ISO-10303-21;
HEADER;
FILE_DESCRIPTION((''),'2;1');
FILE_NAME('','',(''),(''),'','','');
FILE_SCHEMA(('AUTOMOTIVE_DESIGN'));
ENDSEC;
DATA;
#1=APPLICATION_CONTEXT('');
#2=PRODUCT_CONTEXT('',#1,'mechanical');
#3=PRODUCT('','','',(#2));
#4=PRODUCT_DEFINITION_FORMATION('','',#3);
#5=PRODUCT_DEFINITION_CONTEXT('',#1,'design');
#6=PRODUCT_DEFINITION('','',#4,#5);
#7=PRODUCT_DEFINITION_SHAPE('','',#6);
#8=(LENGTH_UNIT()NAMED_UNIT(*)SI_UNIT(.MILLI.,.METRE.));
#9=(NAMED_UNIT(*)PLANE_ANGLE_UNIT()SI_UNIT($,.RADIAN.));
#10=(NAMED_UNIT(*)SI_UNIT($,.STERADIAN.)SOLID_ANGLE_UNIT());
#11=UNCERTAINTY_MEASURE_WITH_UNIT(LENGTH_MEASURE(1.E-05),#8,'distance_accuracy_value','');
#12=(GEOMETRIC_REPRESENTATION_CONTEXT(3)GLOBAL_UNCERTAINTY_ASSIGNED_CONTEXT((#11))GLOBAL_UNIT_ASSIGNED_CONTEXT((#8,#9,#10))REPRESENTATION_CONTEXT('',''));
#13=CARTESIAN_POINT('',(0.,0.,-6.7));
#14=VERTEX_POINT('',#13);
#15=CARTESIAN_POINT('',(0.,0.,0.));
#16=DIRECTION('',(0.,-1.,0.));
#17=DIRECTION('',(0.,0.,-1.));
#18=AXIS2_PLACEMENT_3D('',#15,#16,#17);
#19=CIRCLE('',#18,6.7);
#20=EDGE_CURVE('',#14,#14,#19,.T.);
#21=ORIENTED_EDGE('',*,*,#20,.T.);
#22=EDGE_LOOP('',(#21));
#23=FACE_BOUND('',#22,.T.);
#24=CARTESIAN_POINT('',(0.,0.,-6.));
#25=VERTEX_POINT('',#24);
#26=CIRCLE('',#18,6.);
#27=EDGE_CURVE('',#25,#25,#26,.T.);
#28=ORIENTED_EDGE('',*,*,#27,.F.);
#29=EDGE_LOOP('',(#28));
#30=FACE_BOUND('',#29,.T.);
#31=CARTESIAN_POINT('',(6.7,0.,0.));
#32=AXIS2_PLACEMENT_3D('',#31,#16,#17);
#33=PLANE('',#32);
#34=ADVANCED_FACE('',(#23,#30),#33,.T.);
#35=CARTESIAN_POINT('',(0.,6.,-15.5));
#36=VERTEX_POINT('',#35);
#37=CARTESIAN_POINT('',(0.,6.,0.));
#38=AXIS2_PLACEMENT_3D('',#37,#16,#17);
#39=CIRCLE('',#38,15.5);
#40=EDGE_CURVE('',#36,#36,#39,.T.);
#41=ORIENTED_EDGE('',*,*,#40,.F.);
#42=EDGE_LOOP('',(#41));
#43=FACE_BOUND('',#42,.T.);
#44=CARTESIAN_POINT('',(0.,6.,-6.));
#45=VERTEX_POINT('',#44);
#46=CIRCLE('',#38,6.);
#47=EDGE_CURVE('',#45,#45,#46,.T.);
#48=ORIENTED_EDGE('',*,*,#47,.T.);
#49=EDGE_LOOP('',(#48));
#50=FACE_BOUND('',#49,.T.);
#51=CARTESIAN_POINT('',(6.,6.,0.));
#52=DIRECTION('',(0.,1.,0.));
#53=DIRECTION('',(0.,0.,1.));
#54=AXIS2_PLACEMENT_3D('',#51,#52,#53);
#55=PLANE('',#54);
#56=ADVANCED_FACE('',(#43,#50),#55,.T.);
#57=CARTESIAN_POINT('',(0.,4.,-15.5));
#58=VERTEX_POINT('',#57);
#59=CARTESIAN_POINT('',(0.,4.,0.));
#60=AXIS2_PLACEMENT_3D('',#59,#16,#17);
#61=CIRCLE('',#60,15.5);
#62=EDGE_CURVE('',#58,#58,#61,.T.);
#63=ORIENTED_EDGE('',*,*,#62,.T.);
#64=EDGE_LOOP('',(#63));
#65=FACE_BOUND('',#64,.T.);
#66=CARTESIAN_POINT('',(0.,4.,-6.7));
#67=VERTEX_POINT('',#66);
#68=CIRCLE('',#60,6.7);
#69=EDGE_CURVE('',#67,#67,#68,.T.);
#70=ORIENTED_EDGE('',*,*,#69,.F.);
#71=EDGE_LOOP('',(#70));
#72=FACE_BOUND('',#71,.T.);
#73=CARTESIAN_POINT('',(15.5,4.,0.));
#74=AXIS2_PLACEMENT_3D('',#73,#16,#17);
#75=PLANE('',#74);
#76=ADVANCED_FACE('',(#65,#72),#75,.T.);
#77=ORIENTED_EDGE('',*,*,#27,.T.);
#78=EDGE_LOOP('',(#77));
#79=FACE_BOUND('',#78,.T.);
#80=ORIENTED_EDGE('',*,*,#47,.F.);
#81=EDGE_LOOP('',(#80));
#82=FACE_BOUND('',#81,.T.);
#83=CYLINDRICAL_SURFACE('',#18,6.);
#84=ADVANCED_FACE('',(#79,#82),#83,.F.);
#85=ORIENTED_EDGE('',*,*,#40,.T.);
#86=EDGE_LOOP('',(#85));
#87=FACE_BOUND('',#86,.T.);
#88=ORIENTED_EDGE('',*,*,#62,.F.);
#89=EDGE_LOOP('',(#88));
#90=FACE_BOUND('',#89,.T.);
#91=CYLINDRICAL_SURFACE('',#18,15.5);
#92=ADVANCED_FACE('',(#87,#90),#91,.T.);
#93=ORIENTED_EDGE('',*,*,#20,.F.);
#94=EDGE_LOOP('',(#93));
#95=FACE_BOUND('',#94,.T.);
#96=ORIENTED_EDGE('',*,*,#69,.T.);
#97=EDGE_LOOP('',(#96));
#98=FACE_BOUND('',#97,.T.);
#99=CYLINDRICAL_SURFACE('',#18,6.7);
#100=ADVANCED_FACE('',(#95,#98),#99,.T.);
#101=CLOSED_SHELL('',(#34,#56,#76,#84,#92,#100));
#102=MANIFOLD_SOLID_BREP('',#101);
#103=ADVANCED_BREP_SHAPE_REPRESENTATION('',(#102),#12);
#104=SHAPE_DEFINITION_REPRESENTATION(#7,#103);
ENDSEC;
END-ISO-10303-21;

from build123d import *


with BuildPart() as part:
    # Эскиз1 → Повернуть1 (revolve)
    with BuildSketch(Plane.XY):
        Polygon((6, 0), (6, 6), (15.5, 6), (15.5, 4), (6.7, 4), (6.7, 0), align=None)
    revolve(axis=Axis((0, 0, 0), (0, 1, 0)))


solid = part.part
